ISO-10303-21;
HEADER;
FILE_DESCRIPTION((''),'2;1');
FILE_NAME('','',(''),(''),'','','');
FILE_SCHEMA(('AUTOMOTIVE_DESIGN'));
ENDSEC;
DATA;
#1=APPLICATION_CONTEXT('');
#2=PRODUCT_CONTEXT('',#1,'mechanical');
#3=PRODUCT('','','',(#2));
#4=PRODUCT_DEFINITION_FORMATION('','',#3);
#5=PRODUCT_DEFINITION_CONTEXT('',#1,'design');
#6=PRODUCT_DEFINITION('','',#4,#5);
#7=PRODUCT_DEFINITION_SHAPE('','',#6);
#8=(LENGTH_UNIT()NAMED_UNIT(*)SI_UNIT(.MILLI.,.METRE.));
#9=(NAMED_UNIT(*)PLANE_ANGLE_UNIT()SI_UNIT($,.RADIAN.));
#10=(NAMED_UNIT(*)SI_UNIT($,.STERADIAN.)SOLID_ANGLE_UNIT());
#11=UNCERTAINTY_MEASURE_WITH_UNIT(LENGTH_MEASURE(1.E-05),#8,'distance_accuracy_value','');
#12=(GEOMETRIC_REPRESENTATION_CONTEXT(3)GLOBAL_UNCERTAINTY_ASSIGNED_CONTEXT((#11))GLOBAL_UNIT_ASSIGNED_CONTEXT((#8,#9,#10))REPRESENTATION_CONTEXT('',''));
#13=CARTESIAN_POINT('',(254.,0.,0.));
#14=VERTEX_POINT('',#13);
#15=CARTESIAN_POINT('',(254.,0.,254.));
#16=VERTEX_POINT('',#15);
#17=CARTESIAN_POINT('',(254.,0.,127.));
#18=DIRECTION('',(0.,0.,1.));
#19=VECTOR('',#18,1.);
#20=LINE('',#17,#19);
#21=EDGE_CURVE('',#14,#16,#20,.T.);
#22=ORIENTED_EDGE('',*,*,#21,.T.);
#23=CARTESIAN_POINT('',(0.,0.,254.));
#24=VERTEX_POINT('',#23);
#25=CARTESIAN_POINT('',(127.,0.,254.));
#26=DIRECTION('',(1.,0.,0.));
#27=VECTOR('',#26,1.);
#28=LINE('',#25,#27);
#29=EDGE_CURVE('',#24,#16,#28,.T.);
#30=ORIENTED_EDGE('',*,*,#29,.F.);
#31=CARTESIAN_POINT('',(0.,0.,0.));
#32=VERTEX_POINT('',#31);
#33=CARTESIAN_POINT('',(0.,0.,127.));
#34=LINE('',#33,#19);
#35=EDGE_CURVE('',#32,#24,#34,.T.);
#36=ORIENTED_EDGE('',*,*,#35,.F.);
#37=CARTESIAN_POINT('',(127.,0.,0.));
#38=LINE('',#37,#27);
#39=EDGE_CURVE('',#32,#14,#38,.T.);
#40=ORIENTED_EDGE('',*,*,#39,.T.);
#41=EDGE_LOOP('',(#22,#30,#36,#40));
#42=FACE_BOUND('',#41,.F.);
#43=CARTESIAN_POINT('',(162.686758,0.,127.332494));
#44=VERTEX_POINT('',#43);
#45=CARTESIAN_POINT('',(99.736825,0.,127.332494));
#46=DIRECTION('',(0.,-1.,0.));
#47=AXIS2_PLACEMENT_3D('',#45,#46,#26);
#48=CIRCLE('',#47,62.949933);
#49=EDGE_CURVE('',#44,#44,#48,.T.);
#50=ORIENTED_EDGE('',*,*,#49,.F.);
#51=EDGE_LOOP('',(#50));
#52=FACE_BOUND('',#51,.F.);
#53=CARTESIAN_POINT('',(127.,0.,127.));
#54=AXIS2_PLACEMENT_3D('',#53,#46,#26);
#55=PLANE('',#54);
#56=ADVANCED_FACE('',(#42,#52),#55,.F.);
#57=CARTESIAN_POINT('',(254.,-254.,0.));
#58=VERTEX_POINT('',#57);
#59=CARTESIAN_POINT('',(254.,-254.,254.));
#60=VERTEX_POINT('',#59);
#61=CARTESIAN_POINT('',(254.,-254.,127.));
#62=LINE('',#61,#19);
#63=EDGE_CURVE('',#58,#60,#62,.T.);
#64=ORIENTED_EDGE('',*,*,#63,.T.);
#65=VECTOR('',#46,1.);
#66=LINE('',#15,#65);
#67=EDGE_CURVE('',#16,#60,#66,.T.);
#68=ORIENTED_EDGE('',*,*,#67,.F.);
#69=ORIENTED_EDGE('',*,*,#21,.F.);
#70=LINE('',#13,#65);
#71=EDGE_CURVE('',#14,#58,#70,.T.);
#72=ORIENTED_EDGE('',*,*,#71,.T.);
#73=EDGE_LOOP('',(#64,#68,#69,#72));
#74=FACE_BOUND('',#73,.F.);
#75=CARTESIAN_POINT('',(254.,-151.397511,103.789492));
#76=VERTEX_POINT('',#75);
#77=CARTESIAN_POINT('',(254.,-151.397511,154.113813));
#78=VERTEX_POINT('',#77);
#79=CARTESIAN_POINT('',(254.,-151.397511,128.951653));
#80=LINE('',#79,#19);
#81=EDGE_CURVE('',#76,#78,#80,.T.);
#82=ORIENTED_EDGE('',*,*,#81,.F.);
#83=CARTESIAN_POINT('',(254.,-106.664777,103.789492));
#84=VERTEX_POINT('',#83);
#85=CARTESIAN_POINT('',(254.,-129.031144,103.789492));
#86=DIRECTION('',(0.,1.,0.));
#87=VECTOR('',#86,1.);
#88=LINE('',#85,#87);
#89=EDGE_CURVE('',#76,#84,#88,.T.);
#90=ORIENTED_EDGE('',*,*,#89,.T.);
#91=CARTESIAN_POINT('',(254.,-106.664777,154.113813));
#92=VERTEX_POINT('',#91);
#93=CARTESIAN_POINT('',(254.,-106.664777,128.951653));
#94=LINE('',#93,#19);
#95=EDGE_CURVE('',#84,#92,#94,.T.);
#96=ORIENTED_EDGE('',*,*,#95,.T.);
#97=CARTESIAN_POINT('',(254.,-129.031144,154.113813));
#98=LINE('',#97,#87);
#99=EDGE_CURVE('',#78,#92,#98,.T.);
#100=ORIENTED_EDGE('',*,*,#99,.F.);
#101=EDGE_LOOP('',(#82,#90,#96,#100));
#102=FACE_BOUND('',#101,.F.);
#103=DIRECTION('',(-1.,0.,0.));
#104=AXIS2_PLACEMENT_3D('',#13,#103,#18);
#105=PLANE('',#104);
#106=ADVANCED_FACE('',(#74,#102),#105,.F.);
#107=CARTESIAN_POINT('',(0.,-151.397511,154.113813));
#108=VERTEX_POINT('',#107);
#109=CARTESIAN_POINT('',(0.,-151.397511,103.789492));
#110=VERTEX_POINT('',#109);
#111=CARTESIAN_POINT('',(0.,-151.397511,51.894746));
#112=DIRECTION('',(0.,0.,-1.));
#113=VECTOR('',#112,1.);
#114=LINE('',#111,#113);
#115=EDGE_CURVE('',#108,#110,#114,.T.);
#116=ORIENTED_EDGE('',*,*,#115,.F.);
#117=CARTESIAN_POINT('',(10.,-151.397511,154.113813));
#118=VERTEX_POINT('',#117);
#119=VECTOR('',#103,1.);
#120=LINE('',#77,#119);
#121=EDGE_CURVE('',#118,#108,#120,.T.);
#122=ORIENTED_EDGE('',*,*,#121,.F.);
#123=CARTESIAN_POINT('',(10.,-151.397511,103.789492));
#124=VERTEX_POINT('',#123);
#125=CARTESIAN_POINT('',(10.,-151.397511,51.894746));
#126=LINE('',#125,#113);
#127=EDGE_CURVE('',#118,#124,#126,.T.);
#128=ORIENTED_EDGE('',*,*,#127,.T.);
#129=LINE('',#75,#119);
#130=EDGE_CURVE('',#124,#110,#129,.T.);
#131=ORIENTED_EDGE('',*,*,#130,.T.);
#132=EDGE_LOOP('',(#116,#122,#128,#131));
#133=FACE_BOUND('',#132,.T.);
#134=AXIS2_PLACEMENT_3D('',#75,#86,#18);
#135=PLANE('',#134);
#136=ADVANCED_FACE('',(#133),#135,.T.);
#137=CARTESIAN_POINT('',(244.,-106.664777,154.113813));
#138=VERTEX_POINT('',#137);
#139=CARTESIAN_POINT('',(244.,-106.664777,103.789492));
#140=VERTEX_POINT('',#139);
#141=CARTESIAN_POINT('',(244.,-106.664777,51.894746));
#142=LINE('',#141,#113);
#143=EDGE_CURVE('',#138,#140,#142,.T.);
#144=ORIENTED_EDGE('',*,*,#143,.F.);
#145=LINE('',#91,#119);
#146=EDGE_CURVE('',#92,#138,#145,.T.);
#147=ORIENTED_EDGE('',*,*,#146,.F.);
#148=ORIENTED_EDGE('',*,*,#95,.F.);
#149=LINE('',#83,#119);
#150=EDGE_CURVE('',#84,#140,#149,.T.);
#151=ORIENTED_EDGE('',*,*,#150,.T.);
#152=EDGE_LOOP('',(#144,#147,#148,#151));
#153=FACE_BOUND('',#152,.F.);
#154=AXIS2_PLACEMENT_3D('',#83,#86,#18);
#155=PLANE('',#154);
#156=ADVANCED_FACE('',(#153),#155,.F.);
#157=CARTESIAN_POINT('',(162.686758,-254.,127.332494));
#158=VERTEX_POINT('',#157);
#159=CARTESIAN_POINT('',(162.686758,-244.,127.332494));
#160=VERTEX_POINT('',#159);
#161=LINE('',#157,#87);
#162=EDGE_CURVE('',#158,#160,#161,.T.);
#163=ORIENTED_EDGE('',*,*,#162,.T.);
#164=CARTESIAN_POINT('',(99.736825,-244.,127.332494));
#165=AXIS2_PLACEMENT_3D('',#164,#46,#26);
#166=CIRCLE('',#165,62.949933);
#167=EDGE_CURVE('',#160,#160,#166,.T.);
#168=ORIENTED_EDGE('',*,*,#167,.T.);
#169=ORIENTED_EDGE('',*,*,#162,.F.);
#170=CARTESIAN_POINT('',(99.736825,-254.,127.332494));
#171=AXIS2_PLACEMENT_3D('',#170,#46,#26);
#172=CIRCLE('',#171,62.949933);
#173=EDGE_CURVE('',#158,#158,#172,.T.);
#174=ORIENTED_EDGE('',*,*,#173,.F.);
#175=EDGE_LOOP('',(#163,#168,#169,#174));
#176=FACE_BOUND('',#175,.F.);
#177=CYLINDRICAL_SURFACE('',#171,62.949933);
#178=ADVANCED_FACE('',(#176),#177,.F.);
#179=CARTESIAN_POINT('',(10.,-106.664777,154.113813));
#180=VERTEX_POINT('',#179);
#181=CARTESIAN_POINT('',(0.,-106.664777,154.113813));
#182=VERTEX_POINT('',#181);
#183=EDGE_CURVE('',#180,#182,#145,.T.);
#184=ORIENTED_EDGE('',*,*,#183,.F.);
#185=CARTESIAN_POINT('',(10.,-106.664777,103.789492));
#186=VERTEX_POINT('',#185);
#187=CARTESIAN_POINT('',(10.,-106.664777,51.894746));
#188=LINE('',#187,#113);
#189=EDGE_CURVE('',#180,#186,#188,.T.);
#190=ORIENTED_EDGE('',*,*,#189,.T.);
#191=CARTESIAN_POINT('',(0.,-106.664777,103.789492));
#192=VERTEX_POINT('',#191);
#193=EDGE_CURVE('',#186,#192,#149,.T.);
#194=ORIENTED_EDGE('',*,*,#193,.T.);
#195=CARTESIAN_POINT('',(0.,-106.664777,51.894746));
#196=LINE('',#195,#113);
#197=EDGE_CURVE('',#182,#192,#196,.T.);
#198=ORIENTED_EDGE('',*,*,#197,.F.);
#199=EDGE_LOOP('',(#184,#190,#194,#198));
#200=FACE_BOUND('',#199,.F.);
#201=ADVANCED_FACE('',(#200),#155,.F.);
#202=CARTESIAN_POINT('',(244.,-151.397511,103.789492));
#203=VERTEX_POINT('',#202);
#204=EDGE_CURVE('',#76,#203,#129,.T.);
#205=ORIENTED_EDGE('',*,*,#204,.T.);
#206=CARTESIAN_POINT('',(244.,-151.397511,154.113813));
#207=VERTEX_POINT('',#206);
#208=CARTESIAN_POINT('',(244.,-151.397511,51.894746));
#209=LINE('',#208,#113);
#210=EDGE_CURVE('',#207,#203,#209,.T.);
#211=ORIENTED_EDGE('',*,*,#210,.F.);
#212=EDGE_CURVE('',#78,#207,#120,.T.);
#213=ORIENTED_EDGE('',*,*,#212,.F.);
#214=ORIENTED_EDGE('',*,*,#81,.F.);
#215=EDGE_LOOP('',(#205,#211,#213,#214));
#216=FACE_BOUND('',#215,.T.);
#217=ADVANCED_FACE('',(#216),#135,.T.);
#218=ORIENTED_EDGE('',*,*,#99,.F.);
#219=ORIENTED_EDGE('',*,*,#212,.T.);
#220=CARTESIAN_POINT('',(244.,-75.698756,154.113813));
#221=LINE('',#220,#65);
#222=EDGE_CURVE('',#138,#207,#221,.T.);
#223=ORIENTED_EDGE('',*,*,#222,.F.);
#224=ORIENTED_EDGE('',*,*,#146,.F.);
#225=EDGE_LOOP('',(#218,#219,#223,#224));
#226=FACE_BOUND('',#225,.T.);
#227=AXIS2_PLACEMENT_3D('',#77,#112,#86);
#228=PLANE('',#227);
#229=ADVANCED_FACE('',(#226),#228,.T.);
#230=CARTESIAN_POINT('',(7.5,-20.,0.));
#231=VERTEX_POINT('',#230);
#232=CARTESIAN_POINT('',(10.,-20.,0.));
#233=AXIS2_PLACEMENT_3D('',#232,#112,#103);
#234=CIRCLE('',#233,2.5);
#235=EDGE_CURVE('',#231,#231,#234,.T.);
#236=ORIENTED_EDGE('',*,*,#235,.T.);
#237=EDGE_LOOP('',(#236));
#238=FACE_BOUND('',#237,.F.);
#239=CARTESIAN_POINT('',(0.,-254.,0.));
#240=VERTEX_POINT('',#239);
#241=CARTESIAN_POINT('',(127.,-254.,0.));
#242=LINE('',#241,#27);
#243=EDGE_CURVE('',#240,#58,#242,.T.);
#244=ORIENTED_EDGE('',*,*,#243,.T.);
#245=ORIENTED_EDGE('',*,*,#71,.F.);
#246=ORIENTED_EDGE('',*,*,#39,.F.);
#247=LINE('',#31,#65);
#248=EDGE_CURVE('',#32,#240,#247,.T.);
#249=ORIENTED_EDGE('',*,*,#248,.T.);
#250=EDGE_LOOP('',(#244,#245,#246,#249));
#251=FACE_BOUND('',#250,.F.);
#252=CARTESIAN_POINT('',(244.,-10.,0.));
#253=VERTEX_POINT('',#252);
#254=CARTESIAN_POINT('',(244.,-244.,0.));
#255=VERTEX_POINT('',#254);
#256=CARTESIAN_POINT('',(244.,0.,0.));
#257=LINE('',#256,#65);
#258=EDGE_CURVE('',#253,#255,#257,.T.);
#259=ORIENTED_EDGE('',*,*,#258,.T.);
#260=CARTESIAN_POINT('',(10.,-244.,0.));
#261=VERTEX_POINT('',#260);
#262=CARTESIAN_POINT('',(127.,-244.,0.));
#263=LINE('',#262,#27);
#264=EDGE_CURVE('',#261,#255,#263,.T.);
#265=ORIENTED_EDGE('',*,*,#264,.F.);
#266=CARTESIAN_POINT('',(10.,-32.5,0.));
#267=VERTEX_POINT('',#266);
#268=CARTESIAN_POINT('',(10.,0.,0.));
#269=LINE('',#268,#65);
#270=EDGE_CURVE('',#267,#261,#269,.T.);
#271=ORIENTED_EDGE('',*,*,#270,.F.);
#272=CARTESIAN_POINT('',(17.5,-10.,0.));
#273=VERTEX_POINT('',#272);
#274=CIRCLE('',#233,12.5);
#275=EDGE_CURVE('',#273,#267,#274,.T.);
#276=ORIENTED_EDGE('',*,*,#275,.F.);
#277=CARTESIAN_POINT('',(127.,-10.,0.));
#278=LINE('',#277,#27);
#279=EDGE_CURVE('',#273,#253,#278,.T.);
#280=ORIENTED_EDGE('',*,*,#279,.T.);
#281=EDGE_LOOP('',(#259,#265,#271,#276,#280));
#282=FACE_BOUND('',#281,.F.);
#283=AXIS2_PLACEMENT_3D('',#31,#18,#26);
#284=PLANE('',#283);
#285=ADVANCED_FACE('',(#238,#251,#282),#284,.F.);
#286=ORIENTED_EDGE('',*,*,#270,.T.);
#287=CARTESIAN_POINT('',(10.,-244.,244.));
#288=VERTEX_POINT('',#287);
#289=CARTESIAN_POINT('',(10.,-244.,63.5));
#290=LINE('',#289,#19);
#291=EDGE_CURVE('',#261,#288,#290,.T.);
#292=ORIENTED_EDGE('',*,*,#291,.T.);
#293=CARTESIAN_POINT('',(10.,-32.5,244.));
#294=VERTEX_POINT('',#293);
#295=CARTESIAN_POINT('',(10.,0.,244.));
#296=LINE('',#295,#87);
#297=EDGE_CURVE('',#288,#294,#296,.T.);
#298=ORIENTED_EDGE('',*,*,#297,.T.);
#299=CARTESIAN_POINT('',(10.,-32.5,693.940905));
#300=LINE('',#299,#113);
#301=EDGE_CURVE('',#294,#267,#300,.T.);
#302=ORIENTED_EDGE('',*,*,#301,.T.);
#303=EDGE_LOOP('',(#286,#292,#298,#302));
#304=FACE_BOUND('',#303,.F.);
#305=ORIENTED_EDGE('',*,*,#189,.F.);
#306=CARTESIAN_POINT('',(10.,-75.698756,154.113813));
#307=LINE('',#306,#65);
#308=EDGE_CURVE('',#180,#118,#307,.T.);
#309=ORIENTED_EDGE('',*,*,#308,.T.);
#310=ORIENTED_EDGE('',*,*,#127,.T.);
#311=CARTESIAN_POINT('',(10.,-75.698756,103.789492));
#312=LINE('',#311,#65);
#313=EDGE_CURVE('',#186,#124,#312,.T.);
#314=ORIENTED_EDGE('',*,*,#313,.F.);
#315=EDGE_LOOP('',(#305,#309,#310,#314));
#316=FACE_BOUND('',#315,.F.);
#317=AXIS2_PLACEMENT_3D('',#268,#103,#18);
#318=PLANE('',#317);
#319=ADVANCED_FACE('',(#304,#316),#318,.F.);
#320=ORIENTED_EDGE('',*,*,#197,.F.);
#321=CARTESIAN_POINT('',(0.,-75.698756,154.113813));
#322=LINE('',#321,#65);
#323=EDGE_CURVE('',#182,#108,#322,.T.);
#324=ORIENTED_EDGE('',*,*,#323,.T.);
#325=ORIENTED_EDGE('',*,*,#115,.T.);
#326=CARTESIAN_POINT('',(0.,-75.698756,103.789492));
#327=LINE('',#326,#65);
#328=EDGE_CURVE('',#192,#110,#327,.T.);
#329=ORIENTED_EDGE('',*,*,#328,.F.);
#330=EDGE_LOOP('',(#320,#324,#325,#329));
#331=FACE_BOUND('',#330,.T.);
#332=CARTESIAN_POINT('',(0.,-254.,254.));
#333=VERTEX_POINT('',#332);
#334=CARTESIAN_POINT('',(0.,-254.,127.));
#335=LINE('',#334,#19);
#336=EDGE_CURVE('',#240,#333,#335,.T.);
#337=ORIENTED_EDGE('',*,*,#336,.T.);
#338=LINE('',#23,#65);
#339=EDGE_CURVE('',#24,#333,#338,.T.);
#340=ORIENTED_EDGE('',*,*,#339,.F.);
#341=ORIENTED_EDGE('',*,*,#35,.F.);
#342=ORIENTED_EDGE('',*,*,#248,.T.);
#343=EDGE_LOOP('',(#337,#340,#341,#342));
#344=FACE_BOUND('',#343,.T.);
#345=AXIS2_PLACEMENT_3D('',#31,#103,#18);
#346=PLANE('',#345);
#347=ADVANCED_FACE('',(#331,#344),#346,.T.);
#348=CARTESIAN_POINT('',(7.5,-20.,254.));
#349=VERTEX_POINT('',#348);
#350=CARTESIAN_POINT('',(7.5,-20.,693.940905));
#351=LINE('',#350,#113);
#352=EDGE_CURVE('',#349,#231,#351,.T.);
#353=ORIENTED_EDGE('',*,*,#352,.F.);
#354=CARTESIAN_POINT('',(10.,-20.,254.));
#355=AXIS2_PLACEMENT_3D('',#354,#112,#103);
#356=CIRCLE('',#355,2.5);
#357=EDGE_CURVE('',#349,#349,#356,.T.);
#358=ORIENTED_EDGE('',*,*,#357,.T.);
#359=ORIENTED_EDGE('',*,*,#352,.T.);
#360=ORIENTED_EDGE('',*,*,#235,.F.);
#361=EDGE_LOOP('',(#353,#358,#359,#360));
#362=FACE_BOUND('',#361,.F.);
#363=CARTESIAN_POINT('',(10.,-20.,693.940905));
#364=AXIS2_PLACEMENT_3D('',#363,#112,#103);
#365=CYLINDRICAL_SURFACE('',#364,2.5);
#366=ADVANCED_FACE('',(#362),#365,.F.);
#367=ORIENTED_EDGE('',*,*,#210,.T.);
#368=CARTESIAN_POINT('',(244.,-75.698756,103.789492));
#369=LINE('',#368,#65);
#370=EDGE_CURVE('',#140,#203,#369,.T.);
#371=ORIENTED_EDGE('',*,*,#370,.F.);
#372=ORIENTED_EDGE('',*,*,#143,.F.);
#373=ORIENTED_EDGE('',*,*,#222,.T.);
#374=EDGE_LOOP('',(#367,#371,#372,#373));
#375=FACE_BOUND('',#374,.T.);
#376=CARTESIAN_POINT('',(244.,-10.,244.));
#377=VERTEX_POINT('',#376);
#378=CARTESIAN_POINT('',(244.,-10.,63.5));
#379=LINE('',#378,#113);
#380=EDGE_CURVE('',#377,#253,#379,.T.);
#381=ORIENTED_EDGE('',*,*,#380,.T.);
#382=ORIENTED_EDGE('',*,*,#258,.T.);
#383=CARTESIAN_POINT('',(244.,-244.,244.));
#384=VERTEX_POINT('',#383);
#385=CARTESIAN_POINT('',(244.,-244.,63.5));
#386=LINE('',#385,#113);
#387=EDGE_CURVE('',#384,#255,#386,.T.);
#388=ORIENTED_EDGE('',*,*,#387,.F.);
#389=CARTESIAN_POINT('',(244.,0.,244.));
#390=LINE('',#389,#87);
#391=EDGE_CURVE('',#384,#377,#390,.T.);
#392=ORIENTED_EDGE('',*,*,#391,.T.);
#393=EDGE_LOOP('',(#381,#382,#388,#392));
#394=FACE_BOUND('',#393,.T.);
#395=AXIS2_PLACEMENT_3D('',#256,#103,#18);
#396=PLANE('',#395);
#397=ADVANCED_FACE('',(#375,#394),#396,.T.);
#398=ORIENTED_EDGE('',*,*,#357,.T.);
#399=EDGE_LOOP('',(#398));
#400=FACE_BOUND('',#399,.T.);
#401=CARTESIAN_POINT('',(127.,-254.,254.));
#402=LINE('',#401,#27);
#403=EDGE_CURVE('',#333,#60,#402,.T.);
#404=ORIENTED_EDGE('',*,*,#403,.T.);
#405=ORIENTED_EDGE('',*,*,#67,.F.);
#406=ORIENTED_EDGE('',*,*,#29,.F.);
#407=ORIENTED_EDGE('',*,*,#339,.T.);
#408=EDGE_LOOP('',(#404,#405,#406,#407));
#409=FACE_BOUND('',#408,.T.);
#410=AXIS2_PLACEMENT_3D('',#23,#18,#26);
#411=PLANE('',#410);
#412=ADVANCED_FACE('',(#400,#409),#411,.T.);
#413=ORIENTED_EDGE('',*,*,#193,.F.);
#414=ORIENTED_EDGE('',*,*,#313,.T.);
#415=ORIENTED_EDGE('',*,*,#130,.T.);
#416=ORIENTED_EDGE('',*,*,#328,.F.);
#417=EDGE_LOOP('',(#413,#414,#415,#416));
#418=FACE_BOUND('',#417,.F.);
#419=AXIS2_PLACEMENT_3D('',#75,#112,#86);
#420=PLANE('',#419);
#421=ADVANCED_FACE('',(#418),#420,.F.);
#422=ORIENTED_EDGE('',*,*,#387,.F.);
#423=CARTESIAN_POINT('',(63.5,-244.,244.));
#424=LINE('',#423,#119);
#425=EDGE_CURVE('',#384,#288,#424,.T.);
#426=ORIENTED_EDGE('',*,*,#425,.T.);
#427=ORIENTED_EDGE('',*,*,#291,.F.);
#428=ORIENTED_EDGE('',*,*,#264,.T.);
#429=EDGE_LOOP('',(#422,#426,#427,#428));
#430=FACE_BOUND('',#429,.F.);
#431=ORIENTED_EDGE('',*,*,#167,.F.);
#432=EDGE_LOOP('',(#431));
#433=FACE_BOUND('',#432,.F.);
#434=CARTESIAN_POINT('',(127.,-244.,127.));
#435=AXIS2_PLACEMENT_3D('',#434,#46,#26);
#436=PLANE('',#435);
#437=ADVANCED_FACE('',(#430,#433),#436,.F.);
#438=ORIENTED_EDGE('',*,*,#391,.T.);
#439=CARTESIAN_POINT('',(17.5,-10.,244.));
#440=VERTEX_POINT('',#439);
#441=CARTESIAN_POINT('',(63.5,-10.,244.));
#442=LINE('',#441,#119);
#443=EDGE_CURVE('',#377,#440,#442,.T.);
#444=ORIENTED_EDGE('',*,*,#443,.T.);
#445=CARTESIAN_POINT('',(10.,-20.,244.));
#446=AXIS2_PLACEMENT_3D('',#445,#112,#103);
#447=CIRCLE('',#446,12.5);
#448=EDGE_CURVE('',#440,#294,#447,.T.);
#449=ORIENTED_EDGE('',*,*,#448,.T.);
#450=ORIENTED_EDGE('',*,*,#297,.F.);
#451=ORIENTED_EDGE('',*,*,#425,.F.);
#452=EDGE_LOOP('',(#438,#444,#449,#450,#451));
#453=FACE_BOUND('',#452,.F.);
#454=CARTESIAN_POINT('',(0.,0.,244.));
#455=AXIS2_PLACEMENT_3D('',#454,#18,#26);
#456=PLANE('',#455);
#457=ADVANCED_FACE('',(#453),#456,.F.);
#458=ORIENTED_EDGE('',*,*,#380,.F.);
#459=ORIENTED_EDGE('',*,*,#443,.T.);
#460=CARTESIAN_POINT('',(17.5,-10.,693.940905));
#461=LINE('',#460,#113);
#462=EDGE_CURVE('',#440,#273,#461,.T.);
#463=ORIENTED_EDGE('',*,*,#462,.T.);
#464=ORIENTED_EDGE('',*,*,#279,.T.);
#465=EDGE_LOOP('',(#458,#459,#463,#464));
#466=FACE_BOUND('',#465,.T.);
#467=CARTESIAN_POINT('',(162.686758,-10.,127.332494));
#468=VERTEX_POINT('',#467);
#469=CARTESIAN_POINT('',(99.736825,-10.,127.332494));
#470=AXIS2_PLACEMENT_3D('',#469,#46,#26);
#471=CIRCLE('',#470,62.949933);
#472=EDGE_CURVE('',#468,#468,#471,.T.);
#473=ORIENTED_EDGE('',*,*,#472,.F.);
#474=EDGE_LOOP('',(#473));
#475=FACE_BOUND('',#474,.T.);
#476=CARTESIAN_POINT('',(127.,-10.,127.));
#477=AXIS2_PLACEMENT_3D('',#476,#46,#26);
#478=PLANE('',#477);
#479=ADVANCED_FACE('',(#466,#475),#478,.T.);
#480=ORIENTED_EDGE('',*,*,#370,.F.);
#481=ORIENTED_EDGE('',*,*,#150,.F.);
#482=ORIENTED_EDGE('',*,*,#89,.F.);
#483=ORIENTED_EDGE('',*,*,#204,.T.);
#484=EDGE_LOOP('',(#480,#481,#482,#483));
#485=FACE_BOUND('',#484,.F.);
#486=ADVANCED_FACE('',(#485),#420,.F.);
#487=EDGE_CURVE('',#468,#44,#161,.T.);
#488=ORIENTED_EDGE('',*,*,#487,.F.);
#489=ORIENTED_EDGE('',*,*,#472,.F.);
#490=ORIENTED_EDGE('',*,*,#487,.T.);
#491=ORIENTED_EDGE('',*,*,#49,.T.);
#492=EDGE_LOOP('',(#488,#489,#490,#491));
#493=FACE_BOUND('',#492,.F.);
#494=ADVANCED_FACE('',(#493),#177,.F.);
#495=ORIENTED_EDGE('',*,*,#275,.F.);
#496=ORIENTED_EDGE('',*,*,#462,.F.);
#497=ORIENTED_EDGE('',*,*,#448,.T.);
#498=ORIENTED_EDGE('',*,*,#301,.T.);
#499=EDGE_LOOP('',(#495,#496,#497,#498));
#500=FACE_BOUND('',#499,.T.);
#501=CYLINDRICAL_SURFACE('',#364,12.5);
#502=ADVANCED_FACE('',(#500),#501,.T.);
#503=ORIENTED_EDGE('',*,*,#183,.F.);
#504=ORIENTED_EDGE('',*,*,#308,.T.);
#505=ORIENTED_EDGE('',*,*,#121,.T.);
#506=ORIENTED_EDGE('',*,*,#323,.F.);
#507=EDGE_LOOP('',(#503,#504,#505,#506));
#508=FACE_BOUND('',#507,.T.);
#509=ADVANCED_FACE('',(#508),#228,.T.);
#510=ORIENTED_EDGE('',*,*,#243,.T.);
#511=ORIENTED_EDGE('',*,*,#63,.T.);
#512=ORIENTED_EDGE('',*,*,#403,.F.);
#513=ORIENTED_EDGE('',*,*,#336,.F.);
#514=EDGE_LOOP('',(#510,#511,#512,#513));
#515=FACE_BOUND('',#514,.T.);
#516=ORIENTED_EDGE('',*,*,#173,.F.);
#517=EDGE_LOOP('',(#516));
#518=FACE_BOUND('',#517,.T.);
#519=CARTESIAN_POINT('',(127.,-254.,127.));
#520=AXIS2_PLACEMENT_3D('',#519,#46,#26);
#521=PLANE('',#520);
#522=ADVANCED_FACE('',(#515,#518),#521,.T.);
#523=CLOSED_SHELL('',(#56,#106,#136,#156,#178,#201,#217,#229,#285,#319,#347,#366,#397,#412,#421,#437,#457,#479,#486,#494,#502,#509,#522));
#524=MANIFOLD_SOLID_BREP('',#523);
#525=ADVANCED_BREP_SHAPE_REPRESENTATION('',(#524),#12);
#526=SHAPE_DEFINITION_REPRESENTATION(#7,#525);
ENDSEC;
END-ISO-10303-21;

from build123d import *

# Parameters (mm, degrees)
F0_W     = 254
F0_H     = 254
F1_DEPTH = 254
F3_D     = 5
F4_T     = -10
F5_R     = 62.949933
F6_DEPTH = 254.001
F7_W     = 44.732734
F7_H     = 50.324321
F8_DEPTH = 254.001


with BuildPart() as f1:
    # F0 (on Front) → F1 (new body)
    with BuildSketch(Plane.XZ):
        with Locations((127, 127)):
            Rectangle(F0_W, F0_H)
    extrude(amount=F1_DEPTH)

    # F3 (through all)
    with Locations(Plane.XY.offset(254)):
        with Locations((10, -20)):
            Hole(F3_D / 2)

    # F4
    f4_openings = [f1.faces().sort_by_distance(p)[0] for p in [
        (127.035619, -127.032575, 0),
    ]]
    offset(amount=F4_T, openings=f4_openings)

    # F5 (on face) → F6 (cut, through all)
    with BuildSketch(Plane.XZ.offset(254)):
        with Locations((99.736825, 127.332494)):
            Circle(F5_R)
    extrude(amount=-F6_DEPTH, mode=Mode.SUBTRACT)

    # F7 (on face) → F8 (cut, through all)
    with BuildSketch(Plane.YZ.offset(254)):
        with Locations((-129.031144, 128.951653)):
            Rectangle(F7_W, F7_H)
    extrude(amount=-F8_DEPTH, mode=Mode.SUBTRACT)


solid = f1.part
